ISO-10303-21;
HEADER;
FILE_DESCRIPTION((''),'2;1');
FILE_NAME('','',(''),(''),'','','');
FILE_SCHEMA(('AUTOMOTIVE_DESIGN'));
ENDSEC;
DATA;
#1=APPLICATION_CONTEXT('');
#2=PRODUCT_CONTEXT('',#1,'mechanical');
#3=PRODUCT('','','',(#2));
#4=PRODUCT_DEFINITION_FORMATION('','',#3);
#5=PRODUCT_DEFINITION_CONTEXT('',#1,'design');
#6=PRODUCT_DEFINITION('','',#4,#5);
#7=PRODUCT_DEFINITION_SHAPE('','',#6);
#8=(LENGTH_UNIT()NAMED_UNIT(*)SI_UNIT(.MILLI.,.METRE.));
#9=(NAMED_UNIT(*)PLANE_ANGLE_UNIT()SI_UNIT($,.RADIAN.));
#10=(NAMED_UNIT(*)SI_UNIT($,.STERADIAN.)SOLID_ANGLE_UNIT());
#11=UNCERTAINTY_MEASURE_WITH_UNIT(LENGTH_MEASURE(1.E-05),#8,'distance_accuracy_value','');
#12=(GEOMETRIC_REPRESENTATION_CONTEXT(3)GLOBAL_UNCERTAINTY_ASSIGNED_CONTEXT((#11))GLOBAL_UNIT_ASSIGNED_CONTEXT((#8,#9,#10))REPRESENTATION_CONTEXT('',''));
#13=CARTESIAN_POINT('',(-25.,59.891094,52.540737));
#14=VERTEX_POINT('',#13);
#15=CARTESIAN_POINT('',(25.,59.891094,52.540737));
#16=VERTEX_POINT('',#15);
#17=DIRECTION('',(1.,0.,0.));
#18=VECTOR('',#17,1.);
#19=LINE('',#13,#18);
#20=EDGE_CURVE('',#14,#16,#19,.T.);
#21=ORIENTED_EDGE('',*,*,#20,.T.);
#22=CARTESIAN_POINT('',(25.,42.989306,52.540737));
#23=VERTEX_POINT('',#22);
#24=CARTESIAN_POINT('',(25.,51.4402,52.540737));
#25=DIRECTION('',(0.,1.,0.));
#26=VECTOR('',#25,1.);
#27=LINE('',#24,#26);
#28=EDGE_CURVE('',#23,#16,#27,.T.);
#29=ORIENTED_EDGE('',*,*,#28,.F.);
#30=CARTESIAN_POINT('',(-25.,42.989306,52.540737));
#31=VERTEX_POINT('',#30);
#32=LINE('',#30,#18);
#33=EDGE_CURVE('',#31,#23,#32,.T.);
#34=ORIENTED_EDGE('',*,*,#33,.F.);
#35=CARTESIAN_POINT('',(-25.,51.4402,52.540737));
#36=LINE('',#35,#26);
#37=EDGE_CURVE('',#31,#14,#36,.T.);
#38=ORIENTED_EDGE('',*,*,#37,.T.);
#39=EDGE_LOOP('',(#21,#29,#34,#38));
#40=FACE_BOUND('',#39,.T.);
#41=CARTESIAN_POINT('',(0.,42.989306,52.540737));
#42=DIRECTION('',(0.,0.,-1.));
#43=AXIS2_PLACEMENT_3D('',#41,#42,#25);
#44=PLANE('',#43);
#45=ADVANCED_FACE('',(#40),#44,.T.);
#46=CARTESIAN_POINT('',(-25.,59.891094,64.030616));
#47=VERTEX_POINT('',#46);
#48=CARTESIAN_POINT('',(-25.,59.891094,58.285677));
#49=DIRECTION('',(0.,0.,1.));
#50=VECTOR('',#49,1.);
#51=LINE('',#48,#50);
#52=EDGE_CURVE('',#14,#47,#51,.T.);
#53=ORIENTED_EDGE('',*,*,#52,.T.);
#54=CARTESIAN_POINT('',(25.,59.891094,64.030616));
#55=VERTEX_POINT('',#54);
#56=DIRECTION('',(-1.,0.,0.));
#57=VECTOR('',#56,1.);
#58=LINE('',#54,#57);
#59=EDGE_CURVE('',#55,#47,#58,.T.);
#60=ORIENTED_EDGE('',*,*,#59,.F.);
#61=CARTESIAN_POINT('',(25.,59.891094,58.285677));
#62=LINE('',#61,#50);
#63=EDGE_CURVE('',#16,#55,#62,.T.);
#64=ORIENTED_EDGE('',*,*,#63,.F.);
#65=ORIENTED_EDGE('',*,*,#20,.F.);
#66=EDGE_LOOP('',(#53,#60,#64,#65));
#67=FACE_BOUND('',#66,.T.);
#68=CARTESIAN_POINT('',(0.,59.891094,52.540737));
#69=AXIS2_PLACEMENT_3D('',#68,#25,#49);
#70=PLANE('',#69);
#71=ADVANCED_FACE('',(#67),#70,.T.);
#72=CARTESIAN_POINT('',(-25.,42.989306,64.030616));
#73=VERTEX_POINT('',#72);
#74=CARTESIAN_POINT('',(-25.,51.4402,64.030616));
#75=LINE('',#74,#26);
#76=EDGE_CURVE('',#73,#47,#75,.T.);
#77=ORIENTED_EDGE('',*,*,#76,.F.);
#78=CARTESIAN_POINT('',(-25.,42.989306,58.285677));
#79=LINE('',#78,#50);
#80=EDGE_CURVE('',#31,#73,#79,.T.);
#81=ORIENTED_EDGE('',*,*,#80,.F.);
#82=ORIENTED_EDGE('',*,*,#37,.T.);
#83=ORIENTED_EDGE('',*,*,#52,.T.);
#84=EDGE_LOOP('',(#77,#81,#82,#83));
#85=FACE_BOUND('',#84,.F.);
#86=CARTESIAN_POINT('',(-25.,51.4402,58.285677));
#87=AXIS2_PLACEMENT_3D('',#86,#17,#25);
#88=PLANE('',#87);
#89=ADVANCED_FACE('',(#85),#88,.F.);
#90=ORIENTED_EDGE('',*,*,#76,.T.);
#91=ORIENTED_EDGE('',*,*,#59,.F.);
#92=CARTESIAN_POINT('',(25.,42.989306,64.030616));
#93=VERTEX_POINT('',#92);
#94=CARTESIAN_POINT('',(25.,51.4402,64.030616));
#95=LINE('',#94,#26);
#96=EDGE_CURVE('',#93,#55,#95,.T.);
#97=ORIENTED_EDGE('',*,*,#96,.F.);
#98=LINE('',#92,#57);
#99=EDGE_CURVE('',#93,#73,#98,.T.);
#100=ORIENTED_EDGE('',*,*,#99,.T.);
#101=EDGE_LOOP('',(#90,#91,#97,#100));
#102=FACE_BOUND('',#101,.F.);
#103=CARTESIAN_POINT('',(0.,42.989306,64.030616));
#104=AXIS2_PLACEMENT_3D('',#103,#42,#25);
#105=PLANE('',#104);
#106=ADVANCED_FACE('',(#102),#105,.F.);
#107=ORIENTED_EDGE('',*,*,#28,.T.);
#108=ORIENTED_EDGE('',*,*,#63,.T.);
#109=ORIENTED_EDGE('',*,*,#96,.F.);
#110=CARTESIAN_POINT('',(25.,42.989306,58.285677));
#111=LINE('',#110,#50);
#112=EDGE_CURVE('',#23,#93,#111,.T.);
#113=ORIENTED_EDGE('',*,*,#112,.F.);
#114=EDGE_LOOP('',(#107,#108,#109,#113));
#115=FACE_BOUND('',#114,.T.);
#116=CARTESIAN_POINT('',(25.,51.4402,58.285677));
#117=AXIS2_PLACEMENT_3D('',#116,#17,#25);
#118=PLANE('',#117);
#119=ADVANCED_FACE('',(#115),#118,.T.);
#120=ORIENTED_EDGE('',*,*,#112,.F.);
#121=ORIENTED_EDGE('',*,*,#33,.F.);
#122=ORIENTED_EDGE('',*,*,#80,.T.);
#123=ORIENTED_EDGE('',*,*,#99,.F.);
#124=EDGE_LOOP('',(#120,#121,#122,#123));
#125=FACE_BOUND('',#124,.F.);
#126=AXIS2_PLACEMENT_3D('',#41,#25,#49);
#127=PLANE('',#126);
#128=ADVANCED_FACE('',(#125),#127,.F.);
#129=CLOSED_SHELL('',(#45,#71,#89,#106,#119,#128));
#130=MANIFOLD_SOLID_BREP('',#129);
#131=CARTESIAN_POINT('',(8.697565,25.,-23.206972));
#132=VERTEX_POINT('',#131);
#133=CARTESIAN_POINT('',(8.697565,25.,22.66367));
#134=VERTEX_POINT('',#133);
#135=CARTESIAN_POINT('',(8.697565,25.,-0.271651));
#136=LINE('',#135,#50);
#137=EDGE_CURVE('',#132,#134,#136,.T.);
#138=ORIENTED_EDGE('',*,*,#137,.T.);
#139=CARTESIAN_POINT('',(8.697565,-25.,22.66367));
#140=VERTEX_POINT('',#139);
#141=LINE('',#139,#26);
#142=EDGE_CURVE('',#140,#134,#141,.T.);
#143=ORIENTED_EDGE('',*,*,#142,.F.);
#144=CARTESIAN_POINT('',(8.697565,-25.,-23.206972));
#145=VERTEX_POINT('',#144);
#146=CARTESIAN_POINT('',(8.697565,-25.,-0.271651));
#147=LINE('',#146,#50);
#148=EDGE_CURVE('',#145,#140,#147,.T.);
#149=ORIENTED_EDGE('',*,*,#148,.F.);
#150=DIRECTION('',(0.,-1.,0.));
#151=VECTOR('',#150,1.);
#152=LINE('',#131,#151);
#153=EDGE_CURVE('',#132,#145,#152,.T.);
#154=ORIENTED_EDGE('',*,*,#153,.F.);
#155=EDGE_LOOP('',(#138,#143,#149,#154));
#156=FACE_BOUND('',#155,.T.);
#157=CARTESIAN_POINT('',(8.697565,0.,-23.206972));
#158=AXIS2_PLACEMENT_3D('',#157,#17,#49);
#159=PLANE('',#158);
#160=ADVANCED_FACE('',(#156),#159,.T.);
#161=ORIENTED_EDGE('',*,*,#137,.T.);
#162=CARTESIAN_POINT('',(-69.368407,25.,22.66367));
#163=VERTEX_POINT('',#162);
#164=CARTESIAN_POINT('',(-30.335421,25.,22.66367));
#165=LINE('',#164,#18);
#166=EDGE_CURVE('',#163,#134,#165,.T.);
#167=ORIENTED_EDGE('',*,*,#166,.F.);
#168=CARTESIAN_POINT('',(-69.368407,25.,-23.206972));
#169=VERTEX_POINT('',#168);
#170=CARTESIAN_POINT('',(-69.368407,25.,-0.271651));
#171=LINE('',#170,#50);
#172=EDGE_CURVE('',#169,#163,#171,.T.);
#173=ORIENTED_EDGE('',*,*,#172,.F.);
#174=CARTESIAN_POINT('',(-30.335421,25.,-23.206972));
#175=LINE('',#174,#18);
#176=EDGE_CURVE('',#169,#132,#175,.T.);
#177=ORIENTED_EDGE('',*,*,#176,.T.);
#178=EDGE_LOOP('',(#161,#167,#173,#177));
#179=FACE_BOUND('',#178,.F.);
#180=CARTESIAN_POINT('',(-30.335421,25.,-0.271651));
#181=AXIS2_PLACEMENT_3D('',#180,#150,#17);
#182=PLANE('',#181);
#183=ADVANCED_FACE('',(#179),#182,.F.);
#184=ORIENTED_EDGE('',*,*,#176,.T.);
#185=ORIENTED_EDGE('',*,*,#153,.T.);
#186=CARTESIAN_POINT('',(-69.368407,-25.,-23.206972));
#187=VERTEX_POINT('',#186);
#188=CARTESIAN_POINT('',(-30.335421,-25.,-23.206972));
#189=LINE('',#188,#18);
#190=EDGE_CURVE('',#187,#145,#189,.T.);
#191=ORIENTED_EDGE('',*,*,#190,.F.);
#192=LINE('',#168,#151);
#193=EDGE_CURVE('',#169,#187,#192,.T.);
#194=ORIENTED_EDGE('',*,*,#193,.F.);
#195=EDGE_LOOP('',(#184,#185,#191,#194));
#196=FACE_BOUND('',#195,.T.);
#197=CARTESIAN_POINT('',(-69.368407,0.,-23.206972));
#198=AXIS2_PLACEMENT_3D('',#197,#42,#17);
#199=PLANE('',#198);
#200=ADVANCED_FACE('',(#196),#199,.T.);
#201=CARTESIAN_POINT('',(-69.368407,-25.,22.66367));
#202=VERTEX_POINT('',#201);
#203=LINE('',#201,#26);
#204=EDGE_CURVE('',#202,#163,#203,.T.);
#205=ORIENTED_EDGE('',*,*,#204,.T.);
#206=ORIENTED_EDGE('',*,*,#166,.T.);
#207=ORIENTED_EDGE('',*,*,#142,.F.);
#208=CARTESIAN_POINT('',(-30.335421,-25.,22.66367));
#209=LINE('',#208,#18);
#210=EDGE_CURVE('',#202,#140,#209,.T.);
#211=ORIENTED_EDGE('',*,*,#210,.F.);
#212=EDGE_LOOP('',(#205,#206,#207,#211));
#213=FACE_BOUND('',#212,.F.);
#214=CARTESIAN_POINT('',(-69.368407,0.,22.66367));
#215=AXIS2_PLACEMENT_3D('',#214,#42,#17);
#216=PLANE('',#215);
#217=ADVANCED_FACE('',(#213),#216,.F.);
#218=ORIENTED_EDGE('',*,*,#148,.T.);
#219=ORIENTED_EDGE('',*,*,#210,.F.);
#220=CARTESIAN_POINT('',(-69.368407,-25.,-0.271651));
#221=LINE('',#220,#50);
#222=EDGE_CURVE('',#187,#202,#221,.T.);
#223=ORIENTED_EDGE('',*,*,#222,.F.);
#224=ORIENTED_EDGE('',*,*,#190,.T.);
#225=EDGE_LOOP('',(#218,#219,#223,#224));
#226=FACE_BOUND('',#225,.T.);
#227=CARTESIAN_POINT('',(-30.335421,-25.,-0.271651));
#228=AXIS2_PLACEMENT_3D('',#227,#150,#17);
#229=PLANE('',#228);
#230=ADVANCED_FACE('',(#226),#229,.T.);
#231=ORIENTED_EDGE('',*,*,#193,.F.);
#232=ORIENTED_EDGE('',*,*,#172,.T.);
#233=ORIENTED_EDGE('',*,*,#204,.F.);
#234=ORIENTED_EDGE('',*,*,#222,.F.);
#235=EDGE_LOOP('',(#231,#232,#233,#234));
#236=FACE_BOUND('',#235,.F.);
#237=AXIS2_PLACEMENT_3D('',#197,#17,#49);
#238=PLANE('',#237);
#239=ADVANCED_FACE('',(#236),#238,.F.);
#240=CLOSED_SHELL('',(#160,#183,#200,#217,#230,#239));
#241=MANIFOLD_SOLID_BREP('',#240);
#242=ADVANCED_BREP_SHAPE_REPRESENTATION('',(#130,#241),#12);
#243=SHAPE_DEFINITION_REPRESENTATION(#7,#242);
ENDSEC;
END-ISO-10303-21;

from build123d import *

# Parameters (mm, degrees)
F1_W          = 78.065972
F1_H          = 45.870643
F2_DEPTH      = 25
F2_DEPTH_BACK = 25
F0_W          = 16.901788
F0_H          = 11.489879
F3_DEPTH      = 25
F3_DEPTH_BACK = 25


with BuildPart() as f2:
    # F1 (on Front) → F2 (new body, two sides)
    with BuildSketch(Plane.XZ) as f2_sk:
        with Locations((-30.335421, -0.271651)):
            Rectangle(F1_W, F1_H)
    extrude(amount=F2_DEPTH)
    extrude(f2_sk.sketch, amount=-F2_DEPTH_BACK)


with BuildPart() as f3:
    # F0 (on Right) → F3 (new body, two sides)
    with BuildSketch(Plane.YZ) as f3_sk:
        with Locations((51.4402, 58.285677)):
            Rectangle(F0_W, F0_H)
    extrude(amount=F3_DEPTH)
    extrude(f3_sk.sketch, amount=-F3_DEPTH_BACK)


solid = Compound([f2.part, f3.part])
